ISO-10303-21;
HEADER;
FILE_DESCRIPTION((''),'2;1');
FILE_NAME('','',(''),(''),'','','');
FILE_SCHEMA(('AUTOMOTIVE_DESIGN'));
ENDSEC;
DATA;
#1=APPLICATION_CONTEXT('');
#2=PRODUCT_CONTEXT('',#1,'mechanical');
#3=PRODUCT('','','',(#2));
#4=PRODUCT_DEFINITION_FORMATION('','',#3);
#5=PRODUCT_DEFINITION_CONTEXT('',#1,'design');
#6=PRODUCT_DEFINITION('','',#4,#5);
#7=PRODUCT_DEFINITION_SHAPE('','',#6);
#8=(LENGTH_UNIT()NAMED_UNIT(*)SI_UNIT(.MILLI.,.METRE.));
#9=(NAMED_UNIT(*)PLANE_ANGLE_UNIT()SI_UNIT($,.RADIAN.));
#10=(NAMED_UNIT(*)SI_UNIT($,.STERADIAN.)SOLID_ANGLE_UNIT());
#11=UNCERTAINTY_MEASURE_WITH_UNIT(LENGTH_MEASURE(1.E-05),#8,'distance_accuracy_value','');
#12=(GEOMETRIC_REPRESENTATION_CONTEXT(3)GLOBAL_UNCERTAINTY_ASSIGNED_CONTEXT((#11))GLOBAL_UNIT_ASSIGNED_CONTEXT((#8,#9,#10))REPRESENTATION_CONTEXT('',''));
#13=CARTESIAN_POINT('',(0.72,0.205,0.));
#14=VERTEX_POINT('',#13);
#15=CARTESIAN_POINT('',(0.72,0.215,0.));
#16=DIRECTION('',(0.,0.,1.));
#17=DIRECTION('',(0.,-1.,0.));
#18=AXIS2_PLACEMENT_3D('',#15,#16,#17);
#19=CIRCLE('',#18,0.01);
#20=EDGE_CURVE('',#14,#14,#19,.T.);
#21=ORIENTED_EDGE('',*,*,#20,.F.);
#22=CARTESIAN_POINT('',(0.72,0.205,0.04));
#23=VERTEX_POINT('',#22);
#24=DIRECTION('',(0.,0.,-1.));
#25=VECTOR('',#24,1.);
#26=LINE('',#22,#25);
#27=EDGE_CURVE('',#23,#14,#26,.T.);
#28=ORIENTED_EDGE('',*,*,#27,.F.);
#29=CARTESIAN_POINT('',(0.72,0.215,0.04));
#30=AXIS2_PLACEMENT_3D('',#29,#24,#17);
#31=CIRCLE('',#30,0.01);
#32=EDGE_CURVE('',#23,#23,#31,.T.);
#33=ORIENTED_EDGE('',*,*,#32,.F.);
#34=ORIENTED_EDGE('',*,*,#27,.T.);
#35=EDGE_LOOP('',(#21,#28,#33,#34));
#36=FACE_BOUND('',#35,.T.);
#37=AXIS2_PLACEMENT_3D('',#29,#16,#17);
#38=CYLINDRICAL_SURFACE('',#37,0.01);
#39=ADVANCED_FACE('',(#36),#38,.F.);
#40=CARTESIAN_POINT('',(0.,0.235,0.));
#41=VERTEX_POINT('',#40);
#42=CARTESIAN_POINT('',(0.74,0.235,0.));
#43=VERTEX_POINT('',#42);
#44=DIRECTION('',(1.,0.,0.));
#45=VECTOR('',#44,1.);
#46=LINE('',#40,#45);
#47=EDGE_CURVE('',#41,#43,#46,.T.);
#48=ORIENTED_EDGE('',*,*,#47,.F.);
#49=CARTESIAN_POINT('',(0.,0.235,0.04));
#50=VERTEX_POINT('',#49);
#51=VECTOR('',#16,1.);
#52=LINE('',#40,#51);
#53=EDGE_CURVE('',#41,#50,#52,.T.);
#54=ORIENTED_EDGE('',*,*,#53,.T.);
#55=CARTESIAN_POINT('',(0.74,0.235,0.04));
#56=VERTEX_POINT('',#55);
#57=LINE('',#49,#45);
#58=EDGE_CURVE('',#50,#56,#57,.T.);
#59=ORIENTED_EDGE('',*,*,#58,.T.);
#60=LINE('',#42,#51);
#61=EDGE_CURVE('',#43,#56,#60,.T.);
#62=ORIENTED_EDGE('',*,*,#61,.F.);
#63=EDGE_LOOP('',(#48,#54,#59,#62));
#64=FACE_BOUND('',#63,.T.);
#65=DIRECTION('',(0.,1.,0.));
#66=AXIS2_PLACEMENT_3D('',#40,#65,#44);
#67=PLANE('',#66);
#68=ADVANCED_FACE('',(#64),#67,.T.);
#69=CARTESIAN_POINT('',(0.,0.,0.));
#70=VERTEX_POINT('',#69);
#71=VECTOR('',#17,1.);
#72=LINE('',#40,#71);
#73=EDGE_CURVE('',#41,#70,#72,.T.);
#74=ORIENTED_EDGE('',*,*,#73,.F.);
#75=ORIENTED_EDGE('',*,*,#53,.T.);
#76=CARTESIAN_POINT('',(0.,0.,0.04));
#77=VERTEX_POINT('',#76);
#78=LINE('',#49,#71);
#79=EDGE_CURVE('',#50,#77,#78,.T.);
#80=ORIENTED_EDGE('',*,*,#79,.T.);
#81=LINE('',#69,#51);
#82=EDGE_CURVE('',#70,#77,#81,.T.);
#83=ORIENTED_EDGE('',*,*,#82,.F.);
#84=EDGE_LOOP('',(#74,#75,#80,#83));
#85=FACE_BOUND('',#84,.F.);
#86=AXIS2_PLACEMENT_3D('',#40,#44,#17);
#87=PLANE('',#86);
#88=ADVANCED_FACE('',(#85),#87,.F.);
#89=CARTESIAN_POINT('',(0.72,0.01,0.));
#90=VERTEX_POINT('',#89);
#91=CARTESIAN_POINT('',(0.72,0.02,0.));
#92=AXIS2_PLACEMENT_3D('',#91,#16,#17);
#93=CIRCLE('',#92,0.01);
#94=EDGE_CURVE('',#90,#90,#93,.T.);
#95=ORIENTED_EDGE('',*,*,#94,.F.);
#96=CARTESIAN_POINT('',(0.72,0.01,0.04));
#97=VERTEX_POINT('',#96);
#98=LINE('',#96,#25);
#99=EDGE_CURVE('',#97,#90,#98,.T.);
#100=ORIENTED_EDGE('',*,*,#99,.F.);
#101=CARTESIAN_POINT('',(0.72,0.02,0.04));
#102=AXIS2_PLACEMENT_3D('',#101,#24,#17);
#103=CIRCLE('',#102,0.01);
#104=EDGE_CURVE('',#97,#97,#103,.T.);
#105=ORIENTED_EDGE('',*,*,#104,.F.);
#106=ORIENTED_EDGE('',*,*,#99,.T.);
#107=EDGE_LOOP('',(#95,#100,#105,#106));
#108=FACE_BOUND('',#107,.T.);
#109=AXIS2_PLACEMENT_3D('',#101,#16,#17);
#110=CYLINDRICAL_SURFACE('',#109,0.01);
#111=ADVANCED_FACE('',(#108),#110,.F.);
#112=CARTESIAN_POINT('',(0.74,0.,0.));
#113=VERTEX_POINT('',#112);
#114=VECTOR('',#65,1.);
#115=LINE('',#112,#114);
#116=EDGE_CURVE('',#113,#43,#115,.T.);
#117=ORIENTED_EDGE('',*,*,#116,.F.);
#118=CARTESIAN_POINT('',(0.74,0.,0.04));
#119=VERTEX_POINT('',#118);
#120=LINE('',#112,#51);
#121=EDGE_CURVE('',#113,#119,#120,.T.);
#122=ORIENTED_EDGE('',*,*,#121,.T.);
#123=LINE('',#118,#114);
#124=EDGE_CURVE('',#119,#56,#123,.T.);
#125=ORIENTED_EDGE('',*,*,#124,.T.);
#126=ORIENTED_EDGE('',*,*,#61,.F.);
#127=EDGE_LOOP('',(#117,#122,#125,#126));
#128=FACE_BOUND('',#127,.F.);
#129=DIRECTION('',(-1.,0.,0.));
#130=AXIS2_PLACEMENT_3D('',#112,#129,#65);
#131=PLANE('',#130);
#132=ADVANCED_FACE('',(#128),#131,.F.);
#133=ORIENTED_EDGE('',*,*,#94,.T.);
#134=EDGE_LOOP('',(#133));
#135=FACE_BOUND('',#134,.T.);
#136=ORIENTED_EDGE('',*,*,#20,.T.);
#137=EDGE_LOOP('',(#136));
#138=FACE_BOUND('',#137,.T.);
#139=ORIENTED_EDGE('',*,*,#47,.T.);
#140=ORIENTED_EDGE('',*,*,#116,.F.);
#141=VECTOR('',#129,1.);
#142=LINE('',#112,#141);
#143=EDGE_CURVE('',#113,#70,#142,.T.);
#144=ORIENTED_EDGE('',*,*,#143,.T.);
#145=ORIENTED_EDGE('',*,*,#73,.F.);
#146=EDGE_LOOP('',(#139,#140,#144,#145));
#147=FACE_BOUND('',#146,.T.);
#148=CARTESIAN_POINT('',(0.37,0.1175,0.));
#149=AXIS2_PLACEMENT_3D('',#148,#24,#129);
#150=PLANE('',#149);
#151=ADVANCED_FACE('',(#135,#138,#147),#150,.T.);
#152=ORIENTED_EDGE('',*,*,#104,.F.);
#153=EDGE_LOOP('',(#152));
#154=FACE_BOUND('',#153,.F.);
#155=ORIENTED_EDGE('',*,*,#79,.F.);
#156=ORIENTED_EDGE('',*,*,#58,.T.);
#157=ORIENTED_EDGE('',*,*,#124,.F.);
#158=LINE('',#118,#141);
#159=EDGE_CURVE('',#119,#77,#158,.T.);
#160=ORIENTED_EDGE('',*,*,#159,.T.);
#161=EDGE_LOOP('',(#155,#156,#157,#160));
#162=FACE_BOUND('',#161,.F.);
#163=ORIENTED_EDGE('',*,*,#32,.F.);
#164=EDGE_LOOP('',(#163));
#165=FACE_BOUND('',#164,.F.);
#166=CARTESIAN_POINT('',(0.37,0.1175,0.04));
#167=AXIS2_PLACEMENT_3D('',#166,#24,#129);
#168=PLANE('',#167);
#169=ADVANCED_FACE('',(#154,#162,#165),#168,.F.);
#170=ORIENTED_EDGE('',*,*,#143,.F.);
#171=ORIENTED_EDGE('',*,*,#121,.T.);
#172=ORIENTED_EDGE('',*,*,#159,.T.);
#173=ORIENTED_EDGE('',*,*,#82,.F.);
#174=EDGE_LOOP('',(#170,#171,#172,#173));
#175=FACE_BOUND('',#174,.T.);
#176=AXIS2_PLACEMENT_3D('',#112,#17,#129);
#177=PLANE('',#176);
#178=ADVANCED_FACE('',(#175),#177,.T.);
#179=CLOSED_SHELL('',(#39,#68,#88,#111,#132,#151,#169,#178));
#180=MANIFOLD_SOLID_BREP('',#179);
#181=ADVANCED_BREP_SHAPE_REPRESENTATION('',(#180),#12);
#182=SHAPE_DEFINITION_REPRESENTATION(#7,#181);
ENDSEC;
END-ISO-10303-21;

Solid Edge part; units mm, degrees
sketch "Sketch1" plane through (0, 0, 0) normal (0, 0, 1) x (1, 0, 0)
  line L0 (0, 0.235) -> (0.74, 0.235)
  line L1 (0.74, 0) -> (0.74, 0.235)
  line L2 (0.74, 0) -> (0, 0)
  line L3 (0, 0.235) -> (0, 0)
  dimension "D1" = 0.04
extrude "Protrusion1" add sketch "Sketch1" along normal blind 0.04
hole "Bohrung_1" at (0.72, 0.02, 0.04) direction (0, 0, -1) diameter 0.02 end through all
hole "Hole1" at (0.72, 0.215, 0.04) direction (0, 0, -1) diameter 0.02 end through all
